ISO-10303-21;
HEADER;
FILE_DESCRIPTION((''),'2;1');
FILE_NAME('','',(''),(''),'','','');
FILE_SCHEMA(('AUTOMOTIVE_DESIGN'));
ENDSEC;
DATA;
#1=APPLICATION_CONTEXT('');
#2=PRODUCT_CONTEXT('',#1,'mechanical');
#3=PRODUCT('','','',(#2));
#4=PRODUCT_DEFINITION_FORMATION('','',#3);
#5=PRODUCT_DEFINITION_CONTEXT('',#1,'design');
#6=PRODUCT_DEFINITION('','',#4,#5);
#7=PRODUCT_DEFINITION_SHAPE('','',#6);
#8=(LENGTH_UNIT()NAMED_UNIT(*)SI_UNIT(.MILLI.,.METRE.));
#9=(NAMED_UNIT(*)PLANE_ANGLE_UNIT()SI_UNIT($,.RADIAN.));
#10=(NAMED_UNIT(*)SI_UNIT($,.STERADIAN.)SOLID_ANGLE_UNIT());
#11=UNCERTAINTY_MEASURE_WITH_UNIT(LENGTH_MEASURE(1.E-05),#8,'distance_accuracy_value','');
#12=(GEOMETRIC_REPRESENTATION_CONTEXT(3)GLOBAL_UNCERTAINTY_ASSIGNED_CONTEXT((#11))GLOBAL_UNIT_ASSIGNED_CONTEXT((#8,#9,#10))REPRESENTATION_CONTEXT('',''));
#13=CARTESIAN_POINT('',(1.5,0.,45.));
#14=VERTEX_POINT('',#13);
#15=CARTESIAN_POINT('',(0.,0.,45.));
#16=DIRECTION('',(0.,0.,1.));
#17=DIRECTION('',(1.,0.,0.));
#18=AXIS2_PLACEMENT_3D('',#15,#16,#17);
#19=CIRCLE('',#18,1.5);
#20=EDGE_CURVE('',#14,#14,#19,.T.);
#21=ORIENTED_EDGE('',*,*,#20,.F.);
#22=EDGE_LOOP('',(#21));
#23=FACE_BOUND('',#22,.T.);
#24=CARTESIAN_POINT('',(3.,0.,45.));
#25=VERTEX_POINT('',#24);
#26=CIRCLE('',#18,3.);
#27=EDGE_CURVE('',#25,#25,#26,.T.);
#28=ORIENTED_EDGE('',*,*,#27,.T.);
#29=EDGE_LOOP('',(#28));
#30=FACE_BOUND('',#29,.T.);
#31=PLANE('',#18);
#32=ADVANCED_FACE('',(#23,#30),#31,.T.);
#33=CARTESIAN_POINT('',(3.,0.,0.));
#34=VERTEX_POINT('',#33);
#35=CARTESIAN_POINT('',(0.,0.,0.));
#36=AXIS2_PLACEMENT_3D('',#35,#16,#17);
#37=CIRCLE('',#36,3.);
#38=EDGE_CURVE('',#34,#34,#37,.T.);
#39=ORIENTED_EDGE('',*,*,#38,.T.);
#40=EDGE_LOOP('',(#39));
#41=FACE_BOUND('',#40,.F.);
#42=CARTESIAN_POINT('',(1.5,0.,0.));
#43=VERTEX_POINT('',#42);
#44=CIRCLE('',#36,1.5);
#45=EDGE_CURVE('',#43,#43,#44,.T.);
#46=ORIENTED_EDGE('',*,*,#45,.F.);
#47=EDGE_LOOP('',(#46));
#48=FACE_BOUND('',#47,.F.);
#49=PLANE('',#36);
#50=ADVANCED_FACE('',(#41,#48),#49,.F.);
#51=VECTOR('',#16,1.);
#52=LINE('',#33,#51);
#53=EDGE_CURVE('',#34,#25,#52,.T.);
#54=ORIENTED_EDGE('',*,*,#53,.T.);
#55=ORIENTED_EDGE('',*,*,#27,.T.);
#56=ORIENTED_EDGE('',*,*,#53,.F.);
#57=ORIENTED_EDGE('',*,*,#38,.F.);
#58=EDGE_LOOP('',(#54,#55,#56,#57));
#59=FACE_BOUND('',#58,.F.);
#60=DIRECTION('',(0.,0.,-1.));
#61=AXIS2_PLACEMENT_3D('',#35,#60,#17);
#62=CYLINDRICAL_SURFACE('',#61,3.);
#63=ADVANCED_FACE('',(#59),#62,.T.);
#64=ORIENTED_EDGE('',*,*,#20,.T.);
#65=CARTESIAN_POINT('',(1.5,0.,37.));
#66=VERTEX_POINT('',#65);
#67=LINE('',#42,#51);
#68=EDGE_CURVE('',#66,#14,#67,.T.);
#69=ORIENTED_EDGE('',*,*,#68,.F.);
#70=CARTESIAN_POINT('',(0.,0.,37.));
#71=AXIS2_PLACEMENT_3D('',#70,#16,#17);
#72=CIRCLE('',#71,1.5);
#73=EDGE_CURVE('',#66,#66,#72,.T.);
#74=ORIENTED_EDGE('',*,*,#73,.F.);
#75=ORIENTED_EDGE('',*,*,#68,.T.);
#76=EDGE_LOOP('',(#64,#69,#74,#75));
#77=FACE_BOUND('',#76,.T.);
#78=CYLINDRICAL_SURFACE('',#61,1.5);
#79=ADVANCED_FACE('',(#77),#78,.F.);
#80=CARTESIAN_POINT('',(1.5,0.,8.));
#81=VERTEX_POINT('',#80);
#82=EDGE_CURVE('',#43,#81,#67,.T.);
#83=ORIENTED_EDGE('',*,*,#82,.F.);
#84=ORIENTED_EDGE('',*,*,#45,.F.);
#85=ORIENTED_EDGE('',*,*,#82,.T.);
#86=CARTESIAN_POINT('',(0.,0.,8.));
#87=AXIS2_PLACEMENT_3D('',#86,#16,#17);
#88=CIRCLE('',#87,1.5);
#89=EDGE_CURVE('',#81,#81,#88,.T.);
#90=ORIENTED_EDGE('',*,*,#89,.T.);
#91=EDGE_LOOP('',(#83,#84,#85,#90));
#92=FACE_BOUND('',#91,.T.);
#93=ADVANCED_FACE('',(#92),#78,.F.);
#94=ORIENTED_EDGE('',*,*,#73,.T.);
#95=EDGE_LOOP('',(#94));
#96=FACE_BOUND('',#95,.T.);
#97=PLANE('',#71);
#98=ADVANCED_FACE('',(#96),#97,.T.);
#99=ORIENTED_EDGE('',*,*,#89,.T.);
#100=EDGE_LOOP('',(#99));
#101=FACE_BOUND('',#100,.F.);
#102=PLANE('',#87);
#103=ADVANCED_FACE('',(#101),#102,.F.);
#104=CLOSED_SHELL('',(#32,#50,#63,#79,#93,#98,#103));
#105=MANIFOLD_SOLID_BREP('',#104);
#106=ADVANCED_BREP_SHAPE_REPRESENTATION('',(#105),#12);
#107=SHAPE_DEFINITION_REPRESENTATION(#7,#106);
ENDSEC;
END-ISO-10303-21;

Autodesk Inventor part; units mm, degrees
ref_plane "YZ Plane" through (0, 0, 0) normal (1, 0, 0) x (0, 1, 0)
ref_plane "XZ Plane" through (0, 0, 0) normal (0, 1, 0) x (-1, 0, 0)
sketch "スケッチ1" plane through (0, 0, 0) normal (0, 0, 1) x (1, 0, 0)
  circle A0 centre (0, 0) radius 3
  circle A1 centre (0, 0) radius 1.5
  dimension "d0" = 6
  dimension "d1" = 3
extrude "押し出し1" add sketch "スケッチ1" along normal blind 45
ref_plane "作業平面1" through (0, 0, 37) normal (0, 0, 1) x (1, 0, 0)
sketch "スケッチ2" plane through (0, 0, 37) normal (0, 0, 1) x (1, 0, 0)
  circle A0 centre (0, 0) radius 1.5
extrude "押し出し2" add sketch "スケッチ2" against normal blind 29
properties part number "スペーサーm3-45　簡易筒型" material "アルミニウム 2014-T4"
